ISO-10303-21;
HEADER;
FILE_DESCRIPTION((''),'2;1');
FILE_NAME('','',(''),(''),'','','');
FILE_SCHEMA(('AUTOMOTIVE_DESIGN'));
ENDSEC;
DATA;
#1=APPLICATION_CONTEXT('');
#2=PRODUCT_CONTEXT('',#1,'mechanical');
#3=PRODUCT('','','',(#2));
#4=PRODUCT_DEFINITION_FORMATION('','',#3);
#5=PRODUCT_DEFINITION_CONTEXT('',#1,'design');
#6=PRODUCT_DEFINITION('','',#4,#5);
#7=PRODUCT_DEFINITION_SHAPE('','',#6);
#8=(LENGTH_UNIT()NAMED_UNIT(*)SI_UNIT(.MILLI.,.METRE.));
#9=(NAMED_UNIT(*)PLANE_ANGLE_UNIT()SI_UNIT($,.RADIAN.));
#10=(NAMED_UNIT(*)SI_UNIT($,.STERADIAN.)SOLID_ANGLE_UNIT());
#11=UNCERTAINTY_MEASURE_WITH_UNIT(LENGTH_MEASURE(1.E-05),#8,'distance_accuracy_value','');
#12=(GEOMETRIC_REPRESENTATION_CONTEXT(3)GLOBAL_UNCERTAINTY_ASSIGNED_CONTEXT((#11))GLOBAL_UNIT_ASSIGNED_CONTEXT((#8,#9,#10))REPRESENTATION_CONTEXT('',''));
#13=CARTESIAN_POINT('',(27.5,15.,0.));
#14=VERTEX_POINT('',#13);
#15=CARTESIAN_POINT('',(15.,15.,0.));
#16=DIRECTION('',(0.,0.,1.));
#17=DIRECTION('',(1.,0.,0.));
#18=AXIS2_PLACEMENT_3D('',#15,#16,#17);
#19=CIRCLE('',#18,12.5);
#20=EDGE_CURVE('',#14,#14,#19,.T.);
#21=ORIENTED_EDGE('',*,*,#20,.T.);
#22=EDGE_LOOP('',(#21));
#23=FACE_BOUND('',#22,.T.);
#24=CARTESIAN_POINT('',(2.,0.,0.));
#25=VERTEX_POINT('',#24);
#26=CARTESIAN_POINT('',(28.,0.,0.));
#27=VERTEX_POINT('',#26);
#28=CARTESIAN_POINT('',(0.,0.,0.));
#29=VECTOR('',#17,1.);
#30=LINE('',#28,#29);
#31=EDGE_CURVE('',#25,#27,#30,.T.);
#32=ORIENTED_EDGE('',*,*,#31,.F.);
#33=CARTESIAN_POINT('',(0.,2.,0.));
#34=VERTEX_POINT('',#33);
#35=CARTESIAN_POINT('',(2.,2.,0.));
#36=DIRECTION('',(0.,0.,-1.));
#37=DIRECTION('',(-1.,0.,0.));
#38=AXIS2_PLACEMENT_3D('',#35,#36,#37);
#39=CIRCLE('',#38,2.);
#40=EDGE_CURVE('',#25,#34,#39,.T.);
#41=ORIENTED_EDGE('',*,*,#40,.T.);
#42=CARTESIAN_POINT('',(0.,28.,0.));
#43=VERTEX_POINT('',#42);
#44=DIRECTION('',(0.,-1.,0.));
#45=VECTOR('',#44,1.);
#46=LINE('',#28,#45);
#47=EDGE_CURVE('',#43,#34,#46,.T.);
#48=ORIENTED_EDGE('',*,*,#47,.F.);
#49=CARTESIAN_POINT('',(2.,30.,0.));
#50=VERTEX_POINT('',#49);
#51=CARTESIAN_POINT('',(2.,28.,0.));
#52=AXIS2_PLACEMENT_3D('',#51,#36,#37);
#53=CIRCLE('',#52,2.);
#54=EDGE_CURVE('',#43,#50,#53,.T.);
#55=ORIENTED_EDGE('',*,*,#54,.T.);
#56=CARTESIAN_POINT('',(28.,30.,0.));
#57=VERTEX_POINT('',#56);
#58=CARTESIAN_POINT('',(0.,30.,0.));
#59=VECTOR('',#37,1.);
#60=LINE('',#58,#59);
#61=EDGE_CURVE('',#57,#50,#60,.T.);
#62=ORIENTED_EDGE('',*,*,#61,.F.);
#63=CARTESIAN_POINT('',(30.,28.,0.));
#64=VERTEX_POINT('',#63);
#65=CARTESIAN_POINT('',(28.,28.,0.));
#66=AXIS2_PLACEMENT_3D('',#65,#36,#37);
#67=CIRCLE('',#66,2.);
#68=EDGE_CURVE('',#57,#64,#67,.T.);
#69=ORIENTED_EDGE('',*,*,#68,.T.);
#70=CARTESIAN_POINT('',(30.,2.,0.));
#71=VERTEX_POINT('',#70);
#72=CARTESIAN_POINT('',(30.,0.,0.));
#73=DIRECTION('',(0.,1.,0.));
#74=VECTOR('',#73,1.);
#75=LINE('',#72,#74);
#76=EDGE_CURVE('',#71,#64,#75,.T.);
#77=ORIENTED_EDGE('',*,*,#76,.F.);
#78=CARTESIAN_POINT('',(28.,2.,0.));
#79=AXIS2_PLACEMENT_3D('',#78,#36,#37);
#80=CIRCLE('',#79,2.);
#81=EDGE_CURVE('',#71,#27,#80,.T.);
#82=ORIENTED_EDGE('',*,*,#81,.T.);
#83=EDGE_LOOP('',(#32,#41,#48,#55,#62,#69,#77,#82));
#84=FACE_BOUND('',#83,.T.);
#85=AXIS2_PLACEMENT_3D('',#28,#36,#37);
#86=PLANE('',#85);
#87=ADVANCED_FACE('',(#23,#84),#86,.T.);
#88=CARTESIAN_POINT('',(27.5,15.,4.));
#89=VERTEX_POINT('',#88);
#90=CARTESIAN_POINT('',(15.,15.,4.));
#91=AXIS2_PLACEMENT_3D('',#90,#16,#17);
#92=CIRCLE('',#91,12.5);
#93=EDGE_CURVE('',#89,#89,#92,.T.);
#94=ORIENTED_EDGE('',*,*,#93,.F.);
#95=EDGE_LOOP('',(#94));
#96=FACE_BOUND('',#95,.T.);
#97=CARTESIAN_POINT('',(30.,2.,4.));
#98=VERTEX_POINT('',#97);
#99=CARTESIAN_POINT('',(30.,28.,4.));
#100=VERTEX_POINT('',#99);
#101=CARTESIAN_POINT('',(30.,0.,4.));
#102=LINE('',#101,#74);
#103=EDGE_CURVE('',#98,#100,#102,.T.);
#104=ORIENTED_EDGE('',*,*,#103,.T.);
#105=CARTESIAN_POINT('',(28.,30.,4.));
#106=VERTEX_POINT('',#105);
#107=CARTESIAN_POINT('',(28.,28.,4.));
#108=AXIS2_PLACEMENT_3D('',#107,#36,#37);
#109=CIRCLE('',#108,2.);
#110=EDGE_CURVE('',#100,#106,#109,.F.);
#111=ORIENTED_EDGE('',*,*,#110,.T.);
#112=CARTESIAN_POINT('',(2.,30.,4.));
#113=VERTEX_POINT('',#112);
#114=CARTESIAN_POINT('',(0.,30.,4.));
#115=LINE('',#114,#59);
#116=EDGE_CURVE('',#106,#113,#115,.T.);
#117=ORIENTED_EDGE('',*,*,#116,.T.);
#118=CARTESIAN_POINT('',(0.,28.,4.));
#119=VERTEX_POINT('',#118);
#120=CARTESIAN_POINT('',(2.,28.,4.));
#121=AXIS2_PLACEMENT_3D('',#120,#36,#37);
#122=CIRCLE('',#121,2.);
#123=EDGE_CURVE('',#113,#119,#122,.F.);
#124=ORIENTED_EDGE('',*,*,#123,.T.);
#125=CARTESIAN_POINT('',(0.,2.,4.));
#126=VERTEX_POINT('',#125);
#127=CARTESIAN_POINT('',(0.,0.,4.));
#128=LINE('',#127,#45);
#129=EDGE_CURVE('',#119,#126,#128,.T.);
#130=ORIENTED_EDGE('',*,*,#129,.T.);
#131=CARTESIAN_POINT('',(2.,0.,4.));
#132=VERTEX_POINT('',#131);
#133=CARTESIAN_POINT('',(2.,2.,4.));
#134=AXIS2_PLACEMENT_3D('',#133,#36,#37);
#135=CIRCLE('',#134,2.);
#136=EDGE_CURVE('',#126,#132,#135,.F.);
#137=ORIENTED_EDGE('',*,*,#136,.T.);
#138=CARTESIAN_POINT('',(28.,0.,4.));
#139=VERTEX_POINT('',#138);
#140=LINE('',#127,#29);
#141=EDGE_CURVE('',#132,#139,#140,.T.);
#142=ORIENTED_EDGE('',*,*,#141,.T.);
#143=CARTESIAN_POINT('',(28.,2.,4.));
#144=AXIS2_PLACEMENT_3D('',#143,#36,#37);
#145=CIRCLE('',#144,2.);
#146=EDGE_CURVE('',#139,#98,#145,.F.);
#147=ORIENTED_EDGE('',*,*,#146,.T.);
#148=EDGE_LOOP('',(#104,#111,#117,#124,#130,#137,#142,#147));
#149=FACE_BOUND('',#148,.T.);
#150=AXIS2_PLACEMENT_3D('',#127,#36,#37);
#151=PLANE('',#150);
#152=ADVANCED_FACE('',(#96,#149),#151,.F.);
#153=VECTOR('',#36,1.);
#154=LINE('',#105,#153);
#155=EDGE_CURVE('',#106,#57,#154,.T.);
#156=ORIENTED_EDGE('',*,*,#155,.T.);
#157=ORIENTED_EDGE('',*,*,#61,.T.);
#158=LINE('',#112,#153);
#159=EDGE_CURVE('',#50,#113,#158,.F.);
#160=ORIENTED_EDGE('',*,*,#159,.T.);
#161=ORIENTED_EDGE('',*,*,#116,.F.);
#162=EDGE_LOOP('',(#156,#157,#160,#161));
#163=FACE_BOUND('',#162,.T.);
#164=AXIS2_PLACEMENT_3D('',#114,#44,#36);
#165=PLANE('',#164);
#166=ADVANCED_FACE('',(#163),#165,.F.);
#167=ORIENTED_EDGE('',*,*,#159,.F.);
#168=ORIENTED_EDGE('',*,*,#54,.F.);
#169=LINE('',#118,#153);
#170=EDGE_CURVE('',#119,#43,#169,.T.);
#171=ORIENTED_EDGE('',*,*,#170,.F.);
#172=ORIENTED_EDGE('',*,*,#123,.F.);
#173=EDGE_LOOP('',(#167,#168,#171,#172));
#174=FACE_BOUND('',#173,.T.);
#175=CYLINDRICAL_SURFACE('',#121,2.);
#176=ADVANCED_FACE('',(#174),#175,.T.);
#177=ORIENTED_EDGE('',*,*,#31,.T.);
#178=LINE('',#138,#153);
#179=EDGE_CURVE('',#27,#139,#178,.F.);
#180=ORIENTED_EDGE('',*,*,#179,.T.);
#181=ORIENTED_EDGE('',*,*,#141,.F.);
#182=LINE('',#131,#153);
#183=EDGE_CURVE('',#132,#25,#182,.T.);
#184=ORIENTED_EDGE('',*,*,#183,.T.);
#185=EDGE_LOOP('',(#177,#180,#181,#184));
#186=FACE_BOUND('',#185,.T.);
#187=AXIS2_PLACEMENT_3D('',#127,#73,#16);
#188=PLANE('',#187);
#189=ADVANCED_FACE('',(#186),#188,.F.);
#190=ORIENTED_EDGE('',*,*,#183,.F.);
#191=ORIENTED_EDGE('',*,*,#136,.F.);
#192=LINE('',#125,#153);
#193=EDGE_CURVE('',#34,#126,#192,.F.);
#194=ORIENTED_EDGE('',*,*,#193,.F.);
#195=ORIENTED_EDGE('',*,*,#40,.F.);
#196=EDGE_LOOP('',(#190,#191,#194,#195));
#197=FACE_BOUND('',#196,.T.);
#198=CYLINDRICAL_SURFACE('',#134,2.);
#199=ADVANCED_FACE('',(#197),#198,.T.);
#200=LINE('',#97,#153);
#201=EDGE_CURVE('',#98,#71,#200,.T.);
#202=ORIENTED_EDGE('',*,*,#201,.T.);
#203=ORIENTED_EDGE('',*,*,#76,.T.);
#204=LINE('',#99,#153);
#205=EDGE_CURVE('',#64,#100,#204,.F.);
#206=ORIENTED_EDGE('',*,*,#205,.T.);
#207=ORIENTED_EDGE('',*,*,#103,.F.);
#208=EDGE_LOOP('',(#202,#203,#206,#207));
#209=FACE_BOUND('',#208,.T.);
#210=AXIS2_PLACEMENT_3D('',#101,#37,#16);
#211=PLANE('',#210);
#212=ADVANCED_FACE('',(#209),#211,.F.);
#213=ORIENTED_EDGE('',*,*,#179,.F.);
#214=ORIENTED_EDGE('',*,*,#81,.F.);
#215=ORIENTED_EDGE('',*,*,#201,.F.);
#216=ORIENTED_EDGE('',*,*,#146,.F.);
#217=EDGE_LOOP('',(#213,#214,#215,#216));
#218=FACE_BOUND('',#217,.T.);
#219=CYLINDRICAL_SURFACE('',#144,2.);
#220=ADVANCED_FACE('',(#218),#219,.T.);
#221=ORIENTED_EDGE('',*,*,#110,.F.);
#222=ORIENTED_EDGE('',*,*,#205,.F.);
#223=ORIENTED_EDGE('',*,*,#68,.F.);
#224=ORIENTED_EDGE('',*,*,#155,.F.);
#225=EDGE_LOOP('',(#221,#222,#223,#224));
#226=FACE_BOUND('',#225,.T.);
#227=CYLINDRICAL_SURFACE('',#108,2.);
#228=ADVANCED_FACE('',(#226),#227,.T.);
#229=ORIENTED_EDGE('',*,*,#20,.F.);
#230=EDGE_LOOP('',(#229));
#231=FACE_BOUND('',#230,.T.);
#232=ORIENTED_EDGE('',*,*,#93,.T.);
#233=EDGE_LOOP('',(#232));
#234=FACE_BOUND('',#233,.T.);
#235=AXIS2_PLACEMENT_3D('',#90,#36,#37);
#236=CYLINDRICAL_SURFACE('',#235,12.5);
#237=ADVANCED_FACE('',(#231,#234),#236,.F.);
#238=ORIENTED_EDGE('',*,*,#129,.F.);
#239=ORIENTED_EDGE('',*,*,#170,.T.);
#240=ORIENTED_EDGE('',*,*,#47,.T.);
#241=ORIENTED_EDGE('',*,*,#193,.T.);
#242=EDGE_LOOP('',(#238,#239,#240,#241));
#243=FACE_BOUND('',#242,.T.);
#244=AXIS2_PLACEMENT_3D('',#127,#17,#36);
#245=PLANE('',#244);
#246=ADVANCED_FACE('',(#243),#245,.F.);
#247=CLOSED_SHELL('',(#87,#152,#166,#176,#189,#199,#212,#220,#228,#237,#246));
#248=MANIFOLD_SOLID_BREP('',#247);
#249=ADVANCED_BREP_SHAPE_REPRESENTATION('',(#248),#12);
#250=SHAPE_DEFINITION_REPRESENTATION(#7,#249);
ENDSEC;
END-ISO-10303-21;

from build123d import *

# Parameters (mm, degrees)
SKETCH1_W           = 30
SKETCH1_H           = 30
SKETCH1_R           = 12.5
BOSS_EXTRUDE1_DEPTH = 4
FILLET1_R           = 2


with BuildPart() as part:
    # Sketch1 → Boss-Extrude1 (new body)
    with BuildSketch(Plane.XY):
        with Locations((15, 15)):
            Rectangle(SKETCH1_W, SKETCH1_H)
        with Locations((15, 15)):
            Circle(SKETCH1_R, mode=Mode.SUBTRACT)
    extrude(amount=BOSS_EXTRUDE1_DEPTH)

    # Fillet1
    fillet1_edges = [part.edges().sort_by_distance(p)[0] for p in [
        (0, 30, 2),
        (30, 30, 2),
        (30, 0, 2),
        (0, 0, 2),
    ]]
    fillet(fillet1_edges, radius=FILLET1_R)


solid = part.part
